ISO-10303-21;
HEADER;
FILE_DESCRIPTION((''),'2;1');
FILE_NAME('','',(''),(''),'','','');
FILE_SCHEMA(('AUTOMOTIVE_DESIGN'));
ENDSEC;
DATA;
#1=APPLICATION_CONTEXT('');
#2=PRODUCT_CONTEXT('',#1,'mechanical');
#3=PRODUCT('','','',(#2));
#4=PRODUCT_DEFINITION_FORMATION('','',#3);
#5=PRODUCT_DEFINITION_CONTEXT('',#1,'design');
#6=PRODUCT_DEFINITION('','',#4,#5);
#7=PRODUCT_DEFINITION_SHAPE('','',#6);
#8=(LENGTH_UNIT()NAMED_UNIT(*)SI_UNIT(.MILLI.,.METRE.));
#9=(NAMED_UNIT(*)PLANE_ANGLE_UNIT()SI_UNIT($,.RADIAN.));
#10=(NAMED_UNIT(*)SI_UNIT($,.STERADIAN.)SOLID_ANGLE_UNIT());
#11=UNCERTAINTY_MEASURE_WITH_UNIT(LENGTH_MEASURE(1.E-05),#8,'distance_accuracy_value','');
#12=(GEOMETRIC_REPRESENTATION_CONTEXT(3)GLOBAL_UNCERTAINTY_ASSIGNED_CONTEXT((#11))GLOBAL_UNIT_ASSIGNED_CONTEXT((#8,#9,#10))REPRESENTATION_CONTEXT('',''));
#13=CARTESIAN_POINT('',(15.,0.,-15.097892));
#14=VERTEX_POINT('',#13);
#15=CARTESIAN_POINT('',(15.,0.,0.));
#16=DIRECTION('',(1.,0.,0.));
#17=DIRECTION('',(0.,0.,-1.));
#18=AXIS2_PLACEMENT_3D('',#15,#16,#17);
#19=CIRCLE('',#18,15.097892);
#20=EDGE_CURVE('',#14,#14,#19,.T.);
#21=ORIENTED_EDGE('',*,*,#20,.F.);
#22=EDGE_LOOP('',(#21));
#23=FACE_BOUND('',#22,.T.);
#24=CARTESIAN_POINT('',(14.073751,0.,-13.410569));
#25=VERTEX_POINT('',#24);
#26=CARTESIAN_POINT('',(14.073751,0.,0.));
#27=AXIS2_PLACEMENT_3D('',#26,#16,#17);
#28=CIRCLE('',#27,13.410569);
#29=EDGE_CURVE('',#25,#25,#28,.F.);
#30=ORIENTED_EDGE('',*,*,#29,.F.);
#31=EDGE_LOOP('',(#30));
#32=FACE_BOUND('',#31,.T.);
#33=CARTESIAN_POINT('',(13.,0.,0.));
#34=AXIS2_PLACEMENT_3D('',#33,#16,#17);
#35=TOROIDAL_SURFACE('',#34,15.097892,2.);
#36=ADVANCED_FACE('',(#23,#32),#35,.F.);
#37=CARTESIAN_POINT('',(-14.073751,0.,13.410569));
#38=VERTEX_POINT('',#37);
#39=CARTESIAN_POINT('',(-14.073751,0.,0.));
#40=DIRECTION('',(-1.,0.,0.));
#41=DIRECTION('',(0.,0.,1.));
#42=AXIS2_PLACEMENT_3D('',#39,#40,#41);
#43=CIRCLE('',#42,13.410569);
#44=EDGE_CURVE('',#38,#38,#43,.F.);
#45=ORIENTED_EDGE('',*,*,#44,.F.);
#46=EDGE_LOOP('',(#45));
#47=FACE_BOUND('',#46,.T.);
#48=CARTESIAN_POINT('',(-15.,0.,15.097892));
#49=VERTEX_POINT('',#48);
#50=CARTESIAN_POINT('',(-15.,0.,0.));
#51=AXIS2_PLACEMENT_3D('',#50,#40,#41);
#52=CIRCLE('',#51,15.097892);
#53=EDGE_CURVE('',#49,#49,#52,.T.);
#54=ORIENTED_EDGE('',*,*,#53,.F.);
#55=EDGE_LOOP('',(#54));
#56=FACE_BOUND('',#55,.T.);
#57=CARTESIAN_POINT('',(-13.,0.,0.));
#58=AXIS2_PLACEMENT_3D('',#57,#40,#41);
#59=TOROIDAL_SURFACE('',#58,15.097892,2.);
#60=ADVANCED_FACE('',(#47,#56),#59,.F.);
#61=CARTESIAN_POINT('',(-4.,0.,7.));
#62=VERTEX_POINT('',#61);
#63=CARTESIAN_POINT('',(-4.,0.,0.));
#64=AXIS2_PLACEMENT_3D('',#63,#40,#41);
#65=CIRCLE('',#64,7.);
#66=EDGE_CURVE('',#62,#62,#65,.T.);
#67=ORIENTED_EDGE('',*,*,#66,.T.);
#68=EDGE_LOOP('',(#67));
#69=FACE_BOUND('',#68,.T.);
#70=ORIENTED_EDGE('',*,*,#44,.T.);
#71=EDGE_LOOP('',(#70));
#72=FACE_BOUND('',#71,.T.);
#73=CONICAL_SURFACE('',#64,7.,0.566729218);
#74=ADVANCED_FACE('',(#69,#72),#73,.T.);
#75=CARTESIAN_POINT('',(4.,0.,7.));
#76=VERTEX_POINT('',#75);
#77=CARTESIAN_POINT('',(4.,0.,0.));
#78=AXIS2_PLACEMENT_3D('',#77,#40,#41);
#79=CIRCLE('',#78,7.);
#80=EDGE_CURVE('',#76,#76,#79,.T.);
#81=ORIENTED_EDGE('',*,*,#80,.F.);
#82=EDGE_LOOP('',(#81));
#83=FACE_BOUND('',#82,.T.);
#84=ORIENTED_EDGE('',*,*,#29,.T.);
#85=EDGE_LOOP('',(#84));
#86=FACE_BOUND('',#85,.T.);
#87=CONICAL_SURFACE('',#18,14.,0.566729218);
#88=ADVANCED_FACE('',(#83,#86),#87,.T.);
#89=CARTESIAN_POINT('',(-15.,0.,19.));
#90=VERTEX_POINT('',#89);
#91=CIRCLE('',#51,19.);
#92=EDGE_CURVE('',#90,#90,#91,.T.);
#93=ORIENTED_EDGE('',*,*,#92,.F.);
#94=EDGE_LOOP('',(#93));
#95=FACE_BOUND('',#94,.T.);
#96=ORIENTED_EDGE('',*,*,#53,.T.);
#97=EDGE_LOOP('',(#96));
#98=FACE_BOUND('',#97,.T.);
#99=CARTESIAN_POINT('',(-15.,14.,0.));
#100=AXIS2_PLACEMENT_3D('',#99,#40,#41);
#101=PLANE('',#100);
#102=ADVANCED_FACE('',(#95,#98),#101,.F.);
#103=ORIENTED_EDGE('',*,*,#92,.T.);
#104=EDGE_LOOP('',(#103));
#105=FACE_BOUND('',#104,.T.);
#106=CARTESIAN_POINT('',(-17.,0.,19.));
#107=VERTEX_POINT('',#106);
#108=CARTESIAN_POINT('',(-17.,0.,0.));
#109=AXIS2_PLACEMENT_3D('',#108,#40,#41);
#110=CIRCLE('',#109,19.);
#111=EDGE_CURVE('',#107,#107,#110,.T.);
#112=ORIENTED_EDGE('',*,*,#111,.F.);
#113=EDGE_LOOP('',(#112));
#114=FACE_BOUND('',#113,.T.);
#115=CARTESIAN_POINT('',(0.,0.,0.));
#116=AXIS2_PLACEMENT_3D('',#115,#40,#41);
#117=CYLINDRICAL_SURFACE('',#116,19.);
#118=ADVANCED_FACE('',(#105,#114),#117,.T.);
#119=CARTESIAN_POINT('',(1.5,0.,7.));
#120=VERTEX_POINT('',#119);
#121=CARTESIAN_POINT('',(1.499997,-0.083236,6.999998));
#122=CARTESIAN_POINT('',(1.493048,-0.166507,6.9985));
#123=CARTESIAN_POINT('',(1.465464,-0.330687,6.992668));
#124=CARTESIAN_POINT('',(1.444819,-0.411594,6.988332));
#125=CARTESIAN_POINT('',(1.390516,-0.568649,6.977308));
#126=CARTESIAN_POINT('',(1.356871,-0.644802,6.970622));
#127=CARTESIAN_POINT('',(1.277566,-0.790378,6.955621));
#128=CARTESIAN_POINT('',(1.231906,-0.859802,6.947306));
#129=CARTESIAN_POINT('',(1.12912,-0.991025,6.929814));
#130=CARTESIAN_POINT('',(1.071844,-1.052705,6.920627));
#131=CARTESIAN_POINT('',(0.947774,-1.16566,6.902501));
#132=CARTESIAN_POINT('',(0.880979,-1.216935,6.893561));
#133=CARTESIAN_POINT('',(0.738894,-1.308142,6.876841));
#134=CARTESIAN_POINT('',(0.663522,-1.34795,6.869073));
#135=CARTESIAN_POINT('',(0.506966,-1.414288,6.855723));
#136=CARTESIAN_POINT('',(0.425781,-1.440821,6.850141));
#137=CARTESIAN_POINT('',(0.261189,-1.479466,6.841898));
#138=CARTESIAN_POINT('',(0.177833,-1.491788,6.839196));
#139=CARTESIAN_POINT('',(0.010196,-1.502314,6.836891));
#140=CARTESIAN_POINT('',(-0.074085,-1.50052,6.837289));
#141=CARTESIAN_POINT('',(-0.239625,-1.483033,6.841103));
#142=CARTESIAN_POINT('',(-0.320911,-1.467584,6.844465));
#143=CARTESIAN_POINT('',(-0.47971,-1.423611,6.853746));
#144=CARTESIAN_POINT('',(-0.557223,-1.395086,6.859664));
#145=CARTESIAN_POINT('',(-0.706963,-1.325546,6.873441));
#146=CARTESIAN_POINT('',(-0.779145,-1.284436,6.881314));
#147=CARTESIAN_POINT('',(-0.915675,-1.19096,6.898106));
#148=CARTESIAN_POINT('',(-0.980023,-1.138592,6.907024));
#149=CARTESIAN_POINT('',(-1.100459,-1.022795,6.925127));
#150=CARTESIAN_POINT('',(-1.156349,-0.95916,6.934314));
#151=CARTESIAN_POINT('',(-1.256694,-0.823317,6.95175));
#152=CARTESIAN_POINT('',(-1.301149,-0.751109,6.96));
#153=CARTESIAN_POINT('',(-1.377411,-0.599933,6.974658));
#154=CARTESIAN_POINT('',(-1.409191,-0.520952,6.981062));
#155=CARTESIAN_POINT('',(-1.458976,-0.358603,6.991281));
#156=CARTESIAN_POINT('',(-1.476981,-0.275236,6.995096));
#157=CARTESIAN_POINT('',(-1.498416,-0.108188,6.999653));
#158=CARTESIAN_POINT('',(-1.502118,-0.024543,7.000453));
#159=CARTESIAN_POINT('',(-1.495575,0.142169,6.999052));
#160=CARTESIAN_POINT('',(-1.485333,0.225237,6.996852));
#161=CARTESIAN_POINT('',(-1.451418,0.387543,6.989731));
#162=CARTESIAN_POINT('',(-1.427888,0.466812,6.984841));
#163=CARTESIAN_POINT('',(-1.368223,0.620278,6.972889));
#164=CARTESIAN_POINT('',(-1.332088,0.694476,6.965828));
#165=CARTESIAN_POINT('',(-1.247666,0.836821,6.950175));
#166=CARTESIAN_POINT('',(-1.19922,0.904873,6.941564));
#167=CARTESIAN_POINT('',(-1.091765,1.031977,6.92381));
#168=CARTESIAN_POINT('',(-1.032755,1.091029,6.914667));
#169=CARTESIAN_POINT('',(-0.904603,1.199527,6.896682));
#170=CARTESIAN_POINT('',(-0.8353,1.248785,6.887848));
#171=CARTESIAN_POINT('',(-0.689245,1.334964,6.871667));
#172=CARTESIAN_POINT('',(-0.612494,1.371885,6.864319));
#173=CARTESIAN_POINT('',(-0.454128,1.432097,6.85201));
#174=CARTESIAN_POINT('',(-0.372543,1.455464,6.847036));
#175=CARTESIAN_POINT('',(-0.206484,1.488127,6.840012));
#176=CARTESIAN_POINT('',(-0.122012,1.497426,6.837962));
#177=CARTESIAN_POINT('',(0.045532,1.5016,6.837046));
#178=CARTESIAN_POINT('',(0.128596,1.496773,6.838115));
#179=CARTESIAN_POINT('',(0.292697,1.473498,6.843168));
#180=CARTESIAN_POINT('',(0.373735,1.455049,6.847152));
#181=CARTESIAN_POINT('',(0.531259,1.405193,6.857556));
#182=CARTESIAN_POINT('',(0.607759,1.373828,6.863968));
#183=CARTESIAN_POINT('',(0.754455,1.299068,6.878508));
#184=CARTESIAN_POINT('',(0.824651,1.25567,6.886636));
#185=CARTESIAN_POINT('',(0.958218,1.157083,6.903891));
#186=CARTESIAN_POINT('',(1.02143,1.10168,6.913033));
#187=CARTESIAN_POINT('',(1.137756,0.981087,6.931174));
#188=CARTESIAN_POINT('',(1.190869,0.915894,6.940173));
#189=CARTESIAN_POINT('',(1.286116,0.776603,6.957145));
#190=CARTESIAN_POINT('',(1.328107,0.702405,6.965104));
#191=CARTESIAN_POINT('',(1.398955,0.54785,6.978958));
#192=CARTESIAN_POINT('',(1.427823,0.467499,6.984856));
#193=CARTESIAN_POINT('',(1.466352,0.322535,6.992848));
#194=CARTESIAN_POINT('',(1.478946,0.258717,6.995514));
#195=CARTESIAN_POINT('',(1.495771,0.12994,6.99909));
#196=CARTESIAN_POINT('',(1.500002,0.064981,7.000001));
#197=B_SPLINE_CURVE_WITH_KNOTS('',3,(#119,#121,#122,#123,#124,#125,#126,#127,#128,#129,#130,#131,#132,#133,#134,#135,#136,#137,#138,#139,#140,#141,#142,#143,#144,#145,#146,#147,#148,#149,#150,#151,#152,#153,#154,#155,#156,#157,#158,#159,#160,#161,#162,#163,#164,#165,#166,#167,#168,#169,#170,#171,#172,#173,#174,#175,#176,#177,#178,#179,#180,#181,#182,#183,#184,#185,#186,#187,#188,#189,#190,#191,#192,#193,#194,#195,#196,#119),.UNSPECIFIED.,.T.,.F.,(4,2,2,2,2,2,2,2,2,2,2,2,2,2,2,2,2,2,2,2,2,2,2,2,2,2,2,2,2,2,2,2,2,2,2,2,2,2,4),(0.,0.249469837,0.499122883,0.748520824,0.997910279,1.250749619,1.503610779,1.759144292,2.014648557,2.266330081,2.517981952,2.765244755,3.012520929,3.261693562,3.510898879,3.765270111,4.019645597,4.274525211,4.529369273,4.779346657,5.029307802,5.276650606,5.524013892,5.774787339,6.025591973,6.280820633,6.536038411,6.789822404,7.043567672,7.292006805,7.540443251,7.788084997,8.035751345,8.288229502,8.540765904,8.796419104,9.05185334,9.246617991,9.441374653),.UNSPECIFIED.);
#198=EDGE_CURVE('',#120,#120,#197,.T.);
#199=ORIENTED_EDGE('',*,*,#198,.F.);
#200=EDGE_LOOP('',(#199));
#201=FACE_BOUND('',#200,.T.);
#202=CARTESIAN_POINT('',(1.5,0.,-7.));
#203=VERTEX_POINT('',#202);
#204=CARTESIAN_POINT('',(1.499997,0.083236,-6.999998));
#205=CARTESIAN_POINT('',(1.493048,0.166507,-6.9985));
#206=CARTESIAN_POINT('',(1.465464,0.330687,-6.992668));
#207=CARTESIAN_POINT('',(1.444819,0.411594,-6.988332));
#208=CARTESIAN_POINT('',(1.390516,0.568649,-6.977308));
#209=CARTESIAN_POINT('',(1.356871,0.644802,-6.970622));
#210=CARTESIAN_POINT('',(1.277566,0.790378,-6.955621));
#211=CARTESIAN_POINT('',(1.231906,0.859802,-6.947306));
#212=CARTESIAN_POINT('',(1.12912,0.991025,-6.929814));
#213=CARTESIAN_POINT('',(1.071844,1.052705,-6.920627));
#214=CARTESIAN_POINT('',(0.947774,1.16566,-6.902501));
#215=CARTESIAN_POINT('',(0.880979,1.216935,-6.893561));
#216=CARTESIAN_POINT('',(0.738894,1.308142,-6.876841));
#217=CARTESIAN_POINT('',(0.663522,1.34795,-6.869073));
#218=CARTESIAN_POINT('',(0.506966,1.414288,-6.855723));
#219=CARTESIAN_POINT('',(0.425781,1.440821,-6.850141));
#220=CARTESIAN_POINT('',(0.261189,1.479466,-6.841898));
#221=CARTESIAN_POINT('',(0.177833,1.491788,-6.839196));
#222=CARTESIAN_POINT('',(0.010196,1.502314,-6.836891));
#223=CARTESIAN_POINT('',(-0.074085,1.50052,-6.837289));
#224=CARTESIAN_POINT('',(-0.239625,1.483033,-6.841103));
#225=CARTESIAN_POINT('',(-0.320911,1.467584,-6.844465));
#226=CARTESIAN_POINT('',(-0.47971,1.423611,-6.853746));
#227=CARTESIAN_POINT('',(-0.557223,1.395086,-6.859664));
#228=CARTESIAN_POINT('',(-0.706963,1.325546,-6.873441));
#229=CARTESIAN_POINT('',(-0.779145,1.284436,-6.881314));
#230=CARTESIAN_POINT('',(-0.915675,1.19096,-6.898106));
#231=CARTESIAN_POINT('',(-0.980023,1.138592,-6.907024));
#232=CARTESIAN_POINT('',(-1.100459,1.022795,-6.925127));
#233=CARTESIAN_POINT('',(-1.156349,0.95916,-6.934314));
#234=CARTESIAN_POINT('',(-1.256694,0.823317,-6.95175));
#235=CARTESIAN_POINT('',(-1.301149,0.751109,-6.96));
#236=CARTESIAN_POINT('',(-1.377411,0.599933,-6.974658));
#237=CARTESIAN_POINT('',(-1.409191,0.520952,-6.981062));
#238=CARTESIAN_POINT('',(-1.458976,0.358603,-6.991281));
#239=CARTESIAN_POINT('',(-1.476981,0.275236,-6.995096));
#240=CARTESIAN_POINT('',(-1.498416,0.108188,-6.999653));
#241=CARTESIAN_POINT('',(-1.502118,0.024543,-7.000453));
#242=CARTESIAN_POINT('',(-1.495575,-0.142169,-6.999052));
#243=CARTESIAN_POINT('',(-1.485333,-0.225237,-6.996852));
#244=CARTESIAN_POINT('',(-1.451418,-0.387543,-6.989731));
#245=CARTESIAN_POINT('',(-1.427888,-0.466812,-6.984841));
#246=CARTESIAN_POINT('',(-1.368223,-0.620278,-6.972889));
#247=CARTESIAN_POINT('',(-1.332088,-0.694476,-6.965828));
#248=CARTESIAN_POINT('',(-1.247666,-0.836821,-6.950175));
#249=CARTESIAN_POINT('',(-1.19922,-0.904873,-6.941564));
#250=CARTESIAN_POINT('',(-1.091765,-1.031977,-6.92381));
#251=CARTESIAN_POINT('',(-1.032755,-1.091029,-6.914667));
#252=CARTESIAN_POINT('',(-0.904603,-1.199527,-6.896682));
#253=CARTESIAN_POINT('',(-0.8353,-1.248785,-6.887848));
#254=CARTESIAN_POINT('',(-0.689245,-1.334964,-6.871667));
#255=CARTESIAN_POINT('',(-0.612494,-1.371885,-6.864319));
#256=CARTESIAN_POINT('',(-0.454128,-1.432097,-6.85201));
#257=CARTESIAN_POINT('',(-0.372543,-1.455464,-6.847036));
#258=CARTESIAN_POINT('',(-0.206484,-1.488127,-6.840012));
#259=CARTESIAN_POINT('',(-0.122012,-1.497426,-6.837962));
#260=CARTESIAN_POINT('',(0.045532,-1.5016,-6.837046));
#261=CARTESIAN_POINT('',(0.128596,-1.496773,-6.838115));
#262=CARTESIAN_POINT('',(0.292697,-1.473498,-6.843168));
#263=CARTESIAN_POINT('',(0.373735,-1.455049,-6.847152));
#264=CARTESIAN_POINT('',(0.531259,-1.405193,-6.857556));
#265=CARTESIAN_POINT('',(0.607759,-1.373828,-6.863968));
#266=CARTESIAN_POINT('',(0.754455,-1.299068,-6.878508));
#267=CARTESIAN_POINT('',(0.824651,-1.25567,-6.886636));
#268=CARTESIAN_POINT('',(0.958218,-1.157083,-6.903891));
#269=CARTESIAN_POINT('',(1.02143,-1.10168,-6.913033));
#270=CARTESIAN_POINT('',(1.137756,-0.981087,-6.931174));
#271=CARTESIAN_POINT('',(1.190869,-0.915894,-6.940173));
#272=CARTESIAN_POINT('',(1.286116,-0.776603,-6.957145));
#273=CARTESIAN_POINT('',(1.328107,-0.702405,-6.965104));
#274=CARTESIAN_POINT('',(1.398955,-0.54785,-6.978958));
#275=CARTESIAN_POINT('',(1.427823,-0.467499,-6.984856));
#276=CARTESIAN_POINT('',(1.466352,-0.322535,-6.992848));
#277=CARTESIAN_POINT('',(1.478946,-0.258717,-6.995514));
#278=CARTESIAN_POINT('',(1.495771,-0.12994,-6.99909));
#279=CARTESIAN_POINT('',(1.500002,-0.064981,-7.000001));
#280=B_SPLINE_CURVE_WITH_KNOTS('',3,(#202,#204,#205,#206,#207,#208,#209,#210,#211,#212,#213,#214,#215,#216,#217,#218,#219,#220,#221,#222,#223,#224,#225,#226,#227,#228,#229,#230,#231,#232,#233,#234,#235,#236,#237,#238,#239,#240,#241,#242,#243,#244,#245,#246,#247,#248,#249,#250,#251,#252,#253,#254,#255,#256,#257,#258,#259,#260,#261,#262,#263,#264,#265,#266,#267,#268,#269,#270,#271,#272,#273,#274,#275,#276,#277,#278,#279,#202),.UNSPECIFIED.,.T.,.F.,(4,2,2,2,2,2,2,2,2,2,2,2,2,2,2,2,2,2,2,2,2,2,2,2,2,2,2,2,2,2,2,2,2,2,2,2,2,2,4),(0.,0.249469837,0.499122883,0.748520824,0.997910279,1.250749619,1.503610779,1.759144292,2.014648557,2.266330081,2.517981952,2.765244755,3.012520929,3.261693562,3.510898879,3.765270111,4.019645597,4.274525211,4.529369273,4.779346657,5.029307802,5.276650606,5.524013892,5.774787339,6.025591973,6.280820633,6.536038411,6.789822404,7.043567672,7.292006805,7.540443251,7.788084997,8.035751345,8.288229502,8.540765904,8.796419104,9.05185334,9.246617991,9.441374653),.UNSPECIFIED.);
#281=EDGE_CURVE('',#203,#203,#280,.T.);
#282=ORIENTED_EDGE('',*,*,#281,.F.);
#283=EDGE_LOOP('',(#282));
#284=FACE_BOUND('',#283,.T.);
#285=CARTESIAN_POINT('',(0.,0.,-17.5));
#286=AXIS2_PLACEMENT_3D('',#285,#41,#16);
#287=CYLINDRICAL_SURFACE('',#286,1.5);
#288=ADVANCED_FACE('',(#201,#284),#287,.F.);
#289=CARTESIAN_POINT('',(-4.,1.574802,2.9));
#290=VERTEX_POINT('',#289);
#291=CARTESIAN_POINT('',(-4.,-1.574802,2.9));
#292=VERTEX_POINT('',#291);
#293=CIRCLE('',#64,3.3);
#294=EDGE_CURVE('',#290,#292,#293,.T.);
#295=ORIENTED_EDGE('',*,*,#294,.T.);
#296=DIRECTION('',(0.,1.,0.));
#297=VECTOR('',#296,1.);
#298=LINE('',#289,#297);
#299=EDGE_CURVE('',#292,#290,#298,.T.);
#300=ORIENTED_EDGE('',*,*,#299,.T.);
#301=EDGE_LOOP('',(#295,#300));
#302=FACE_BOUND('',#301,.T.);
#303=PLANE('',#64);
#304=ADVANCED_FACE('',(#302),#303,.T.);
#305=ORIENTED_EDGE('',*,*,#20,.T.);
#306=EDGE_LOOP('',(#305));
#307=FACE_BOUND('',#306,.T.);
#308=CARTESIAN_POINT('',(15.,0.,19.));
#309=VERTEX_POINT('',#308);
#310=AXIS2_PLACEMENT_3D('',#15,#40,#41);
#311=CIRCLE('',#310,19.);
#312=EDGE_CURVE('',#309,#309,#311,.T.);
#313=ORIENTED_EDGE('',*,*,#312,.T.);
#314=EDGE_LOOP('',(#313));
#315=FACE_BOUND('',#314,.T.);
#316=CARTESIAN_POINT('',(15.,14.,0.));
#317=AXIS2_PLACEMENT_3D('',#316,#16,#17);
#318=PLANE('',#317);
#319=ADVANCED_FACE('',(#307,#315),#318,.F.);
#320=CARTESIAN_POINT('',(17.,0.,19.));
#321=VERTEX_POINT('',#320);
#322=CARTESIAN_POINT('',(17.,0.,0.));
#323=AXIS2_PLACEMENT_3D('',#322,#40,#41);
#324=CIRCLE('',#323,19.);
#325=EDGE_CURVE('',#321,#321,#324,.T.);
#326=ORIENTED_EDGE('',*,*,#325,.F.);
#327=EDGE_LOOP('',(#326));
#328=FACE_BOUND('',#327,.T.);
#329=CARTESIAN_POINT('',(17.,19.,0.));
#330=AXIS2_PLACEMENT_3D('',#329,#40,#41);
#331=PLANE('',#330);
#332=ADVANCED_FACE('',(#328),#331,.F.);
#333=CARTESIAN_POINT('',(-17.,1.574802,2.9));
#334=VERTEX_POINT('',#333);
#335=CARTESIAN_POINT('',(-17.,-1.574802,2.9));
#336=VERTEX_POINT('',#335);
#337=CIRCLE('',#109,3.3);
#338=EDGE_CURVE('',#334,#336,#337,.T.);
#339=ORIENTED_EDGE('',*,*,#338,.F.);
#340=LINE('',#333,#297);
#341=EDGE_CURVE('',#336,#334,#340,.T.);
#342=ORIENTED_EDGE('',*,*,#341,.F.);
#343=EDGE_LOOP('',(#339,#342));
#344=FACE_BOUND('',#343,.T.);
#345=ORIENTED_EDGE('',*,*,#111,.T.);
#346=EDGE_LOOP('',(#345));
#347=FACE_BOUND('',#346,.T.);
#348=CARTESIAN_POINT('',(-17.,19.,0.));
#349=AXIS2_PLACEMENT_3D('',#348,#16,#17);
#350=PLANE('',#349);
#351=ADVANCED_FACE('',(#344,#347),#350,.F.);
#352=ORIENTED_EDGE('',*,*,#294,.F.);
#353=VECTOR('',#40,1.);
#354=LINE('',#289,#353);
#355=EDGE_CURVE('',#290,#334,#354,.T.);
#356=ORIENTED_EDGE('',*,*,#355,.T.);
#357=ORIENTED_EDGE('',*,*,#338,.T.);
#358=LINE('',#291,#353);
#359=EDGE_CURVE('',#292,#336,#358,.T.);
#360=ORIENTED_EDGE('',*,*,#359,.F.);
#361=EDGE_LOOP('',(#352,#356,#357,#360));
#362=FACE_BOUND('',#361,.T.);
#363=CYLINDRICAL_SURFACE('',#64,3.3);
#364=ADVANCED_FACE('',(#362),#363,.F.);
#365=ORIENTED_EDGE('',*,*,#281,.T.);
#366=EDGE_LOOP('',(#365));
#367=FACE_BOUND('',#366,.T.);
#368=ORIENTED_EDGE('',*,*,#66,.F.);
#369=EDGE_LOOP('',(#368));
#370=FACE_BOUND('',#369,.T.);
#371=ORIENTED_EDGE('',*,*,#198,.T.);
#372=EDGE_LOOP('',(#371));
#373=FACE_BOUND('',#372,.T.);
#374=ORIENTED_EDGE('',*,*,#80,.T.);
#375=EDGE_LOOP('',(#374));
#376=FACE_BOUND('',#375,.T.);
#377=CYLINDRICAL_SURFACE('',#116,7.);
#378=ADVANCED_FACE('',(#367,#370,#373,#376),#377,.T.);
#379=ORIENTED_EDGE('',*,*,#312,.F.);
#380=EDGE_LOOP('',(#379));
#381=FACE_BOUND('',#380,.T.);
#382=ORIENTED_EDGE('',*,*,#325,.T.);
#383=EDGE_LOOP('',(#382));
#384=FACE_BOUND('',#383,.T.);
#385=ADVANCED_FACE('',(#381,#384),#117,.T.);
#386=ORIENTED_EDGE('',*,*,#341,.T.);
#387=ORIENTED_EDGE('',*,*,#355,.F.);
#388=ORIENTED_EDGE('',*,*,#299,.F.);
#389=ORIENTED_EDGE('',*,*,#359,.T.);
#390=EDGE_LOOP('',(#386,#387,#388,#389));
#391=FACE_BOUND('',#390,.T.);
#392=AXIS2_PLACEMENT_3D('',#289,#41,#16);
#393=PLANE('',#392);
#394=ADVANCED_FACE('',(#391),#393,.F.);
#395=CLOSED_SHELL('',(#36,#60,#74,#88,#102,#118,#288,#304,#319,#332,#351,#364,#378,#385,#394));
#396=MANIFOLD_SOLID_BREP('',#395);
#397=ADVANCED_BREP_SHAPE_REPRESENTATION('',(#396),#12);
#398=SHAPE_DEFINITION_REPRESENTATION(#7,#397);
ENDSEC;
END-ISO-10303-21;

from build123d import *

# Parameters (mm, degrees)
MOTOR_SHAFT_DEPTH  = 13
SKETCH4_R          = 1.5
STRING_HOLES_DEPTH = 17.5
FILLET1_R          = 2


with BuildPart() as part:
    # Sketch2 → Revolve1 (revolve)
    with BuildSketch(Plane.XY, mode=Mode.PRIVATE) as revolve1_sk:
        Polygon((15, 14), (15, 19), (17, 19), (17, 0), (-17, 0), (-17, 19), (-15, 19), (-15, 14), (-4, 7), (4, 7), align=None)
    revolve(revolve1_sk.sketch.rotate(Axis((0, 0, 0), (1, 0, 0)), 90), axis=Axis((0, 0, 0), (1, 0, 0)))

    # Sketch3 → motor shaft (cut)
    with BuildSketch(Plane.ZY.offset(17)):
        with BuildLine():
            Line((2.9, 1.574801575), (2.9, -1.574801575))
            ThreePointArc((2.9, -1.574801575), (-3.3, 0), (2.9, 1.574801575))
        make_face()
    extrude(amount=-MOTOR_SHAFT_DEPTH, mode=Mode.SUBTRACT)

    # Sketch4 → string holes (cut, symmetric)
    with BuildSketch(Plane.XY):
        Circle(SKETCH4_R)
    extrude(amount=STRING_HOLES_DEPTH, both=True, mode=Mode.SUBTRACT)

    # Fillet1
    fillet1_edges = [part.edges().sort_by_distance(p)[0] for p in [
        (15, 0, -14),
        (-15, 0, -14),
    ]]
    fillet(fillet1_edges, radius=FILLET1_R)


solid = part.part
